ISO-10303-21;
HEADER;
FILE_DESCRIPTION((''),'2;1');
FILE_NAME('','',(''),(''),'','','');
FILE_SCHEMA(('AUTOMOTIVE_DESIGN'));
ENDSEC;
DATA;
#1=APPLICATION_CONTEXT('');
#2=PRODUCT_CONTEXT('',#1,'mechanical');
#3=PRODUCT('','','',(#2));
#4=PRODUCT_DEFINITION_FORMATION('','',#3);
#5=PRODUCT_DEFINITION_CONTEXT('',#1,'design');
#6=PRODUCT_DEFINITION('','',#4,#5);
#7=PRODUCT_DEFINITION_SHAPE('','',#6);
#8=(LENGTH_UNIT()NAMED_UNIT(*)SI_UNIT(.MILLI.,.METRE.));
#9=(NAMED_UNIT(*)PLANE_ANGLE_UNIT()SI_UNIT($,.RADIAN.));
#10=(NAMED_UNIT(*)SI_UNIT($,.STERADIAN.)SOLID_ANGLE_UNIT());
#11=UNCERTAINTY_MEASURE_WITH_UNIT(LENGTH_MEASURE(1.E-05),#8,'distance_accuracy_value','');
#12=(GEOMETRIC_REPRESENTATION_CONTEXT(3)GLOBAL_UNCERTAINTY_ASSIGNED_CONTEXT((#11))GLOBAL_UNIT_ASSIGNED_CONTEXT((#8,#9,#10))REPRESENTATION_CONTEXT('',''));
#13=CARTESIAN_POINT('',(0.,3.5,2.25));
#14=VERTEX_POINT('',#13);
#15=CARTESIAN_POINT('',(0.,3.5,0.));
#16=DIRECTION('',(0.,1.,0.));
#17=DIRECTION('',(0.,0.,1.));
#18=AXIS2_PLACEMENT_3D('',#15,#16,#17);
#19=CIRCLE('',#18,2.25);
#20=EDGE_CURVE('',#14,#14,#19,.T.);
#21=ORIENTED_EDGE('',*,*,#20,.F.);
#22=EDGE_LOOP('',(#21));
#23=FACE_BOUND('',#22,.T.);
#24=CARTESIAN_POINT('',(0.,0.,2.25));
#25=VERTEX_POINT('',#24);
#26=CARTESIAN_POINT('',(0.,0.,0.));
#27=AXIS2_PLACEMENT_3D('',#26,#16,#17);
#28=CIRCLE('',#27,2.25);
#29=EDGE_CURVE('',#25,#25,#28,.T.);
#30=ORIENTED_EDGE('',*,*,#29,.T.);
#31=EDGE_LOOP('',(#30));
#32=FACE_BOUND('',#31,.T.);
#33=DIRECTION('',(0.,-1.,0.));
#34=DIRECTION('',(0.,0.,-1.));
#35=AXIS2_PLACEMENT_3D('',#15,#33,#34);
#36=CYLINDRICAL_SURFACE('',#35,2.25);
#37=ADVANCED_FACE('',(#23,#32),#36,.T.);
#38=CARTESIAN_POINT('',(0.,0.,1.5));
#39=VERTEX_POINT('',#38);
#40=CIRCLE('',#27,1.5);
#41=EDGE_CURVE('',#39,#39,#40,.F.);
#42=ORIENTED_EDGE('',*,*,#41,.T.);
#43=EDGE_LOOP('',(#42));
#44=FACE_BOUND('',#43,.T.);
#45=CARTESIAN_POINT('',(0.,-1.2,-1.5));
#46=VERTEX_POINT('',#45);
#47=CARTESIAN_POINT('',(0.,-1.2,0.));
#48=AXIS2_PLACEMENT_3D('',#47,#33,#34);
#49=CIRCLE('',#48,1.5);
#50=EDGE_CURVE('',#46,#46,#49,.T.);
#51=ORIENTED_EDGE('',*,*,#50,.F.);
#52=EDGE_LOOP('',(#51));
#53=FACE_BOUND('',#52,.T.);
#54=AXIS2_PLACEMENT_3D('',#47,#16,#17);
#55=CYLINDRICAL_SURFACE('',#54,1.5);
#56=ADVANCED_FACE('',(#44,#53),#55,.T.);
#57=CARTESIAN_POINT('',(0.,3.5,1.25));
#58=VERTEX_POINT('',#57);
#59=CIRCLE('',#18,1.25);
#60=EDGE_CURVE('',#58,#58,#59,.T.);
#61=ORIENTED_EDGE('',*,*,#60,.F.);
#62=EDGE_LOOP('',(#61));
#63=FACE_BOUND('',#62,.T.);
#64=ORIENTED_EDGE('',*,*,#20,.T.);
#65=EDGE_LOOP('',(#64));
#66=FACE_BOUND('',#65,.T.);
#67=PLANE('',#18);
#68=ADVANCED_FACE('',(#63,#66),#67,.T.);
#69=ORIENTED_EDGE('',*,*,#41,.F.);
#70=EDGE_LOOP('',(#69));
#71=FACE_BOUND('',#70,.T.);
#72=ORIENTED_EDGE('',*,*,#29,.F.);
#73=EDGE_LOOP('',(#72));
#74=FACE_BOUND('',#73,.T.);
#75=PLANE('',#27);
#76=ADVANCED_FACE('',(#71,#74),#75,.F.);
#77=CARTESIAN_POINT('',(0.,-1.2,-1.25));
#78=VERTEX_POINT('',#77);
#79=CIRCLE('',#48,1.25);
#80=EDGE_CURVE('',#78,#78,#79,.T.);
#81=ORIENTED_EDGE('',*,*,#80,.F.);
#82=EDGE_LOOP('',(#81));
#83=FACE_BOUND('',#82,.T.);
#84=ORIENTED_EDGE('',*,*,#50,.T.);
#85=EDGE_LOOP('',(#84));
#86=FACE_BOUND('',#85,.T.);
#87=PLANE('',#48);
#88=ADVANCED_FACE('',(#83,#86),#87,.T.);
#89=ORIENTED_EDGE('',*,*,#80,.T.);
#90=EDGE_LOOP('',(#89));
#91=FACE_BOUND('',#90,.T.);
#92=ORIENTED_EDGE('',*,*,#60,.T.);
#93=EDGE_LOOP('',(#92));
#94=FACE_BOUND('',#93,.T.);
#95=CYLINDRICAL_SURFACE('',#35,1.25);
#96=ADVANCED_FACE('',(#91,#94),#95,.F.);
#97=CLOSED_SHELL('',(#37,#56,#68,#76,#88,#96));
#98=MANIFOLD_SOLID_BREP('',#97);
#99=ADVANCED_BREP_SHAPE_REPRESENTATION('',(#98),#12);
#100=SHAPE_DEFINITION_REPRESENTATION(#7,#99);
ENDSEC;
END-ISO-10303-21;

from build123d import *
from build123d.topology import SkipClean

# Parameters (mm, degrees)
SKETCH_1_R      = 2.25
SKETCH_1_R_2    = 1.25
EXTRUDE_1_DEPTH = 3.5
EXTRUDE_START   = 1.2
SKETCH_2_R      = 1.5
SKETCH_2_R_2    = 1.25
EXTRUDE_2_DEPTH = 1.2


with BuildPart() as part:
    # 草图1 → 凸台-拉伸1 (new body)
    with BuildSketch(Plane(origin=(0, 0, 0), x_dir=(1, 0, 0), z_dir=(0, 1, 0))):
        with Locations(Location((0, 0, 0), (0, 0, 270))):
            Circle(SKETCH_1_R)
        with Locations(Location((0, 0, 0), (0, 0, 270))):
            Circle(SKETCH_1_R_2, mode=Mode.SUBTRACT)
    extrude(amount=EXTRUDE_1_DEPTH)

    # 草图2 → 凸台-拉伸2 (add)
    with SkipClean():  # the faces are left unmerged after this step: merging them gives an invalid solid
        with BuildSketch(Plane.XZ.offset(EXTRUDE_START)):
            with Locations(Location((0, 0, 0), (0, 0, 90))):
                Circle(SKETCH_2_R)
            with Locations(Location((0, 0, 0), (0, 0, 270))):
                Circle(SKETCH_2_R_2, mode=Mode.SUBTRACT)
        extrude(amount=-EXTRUDE_2_DEPTH)


solid = part.part
